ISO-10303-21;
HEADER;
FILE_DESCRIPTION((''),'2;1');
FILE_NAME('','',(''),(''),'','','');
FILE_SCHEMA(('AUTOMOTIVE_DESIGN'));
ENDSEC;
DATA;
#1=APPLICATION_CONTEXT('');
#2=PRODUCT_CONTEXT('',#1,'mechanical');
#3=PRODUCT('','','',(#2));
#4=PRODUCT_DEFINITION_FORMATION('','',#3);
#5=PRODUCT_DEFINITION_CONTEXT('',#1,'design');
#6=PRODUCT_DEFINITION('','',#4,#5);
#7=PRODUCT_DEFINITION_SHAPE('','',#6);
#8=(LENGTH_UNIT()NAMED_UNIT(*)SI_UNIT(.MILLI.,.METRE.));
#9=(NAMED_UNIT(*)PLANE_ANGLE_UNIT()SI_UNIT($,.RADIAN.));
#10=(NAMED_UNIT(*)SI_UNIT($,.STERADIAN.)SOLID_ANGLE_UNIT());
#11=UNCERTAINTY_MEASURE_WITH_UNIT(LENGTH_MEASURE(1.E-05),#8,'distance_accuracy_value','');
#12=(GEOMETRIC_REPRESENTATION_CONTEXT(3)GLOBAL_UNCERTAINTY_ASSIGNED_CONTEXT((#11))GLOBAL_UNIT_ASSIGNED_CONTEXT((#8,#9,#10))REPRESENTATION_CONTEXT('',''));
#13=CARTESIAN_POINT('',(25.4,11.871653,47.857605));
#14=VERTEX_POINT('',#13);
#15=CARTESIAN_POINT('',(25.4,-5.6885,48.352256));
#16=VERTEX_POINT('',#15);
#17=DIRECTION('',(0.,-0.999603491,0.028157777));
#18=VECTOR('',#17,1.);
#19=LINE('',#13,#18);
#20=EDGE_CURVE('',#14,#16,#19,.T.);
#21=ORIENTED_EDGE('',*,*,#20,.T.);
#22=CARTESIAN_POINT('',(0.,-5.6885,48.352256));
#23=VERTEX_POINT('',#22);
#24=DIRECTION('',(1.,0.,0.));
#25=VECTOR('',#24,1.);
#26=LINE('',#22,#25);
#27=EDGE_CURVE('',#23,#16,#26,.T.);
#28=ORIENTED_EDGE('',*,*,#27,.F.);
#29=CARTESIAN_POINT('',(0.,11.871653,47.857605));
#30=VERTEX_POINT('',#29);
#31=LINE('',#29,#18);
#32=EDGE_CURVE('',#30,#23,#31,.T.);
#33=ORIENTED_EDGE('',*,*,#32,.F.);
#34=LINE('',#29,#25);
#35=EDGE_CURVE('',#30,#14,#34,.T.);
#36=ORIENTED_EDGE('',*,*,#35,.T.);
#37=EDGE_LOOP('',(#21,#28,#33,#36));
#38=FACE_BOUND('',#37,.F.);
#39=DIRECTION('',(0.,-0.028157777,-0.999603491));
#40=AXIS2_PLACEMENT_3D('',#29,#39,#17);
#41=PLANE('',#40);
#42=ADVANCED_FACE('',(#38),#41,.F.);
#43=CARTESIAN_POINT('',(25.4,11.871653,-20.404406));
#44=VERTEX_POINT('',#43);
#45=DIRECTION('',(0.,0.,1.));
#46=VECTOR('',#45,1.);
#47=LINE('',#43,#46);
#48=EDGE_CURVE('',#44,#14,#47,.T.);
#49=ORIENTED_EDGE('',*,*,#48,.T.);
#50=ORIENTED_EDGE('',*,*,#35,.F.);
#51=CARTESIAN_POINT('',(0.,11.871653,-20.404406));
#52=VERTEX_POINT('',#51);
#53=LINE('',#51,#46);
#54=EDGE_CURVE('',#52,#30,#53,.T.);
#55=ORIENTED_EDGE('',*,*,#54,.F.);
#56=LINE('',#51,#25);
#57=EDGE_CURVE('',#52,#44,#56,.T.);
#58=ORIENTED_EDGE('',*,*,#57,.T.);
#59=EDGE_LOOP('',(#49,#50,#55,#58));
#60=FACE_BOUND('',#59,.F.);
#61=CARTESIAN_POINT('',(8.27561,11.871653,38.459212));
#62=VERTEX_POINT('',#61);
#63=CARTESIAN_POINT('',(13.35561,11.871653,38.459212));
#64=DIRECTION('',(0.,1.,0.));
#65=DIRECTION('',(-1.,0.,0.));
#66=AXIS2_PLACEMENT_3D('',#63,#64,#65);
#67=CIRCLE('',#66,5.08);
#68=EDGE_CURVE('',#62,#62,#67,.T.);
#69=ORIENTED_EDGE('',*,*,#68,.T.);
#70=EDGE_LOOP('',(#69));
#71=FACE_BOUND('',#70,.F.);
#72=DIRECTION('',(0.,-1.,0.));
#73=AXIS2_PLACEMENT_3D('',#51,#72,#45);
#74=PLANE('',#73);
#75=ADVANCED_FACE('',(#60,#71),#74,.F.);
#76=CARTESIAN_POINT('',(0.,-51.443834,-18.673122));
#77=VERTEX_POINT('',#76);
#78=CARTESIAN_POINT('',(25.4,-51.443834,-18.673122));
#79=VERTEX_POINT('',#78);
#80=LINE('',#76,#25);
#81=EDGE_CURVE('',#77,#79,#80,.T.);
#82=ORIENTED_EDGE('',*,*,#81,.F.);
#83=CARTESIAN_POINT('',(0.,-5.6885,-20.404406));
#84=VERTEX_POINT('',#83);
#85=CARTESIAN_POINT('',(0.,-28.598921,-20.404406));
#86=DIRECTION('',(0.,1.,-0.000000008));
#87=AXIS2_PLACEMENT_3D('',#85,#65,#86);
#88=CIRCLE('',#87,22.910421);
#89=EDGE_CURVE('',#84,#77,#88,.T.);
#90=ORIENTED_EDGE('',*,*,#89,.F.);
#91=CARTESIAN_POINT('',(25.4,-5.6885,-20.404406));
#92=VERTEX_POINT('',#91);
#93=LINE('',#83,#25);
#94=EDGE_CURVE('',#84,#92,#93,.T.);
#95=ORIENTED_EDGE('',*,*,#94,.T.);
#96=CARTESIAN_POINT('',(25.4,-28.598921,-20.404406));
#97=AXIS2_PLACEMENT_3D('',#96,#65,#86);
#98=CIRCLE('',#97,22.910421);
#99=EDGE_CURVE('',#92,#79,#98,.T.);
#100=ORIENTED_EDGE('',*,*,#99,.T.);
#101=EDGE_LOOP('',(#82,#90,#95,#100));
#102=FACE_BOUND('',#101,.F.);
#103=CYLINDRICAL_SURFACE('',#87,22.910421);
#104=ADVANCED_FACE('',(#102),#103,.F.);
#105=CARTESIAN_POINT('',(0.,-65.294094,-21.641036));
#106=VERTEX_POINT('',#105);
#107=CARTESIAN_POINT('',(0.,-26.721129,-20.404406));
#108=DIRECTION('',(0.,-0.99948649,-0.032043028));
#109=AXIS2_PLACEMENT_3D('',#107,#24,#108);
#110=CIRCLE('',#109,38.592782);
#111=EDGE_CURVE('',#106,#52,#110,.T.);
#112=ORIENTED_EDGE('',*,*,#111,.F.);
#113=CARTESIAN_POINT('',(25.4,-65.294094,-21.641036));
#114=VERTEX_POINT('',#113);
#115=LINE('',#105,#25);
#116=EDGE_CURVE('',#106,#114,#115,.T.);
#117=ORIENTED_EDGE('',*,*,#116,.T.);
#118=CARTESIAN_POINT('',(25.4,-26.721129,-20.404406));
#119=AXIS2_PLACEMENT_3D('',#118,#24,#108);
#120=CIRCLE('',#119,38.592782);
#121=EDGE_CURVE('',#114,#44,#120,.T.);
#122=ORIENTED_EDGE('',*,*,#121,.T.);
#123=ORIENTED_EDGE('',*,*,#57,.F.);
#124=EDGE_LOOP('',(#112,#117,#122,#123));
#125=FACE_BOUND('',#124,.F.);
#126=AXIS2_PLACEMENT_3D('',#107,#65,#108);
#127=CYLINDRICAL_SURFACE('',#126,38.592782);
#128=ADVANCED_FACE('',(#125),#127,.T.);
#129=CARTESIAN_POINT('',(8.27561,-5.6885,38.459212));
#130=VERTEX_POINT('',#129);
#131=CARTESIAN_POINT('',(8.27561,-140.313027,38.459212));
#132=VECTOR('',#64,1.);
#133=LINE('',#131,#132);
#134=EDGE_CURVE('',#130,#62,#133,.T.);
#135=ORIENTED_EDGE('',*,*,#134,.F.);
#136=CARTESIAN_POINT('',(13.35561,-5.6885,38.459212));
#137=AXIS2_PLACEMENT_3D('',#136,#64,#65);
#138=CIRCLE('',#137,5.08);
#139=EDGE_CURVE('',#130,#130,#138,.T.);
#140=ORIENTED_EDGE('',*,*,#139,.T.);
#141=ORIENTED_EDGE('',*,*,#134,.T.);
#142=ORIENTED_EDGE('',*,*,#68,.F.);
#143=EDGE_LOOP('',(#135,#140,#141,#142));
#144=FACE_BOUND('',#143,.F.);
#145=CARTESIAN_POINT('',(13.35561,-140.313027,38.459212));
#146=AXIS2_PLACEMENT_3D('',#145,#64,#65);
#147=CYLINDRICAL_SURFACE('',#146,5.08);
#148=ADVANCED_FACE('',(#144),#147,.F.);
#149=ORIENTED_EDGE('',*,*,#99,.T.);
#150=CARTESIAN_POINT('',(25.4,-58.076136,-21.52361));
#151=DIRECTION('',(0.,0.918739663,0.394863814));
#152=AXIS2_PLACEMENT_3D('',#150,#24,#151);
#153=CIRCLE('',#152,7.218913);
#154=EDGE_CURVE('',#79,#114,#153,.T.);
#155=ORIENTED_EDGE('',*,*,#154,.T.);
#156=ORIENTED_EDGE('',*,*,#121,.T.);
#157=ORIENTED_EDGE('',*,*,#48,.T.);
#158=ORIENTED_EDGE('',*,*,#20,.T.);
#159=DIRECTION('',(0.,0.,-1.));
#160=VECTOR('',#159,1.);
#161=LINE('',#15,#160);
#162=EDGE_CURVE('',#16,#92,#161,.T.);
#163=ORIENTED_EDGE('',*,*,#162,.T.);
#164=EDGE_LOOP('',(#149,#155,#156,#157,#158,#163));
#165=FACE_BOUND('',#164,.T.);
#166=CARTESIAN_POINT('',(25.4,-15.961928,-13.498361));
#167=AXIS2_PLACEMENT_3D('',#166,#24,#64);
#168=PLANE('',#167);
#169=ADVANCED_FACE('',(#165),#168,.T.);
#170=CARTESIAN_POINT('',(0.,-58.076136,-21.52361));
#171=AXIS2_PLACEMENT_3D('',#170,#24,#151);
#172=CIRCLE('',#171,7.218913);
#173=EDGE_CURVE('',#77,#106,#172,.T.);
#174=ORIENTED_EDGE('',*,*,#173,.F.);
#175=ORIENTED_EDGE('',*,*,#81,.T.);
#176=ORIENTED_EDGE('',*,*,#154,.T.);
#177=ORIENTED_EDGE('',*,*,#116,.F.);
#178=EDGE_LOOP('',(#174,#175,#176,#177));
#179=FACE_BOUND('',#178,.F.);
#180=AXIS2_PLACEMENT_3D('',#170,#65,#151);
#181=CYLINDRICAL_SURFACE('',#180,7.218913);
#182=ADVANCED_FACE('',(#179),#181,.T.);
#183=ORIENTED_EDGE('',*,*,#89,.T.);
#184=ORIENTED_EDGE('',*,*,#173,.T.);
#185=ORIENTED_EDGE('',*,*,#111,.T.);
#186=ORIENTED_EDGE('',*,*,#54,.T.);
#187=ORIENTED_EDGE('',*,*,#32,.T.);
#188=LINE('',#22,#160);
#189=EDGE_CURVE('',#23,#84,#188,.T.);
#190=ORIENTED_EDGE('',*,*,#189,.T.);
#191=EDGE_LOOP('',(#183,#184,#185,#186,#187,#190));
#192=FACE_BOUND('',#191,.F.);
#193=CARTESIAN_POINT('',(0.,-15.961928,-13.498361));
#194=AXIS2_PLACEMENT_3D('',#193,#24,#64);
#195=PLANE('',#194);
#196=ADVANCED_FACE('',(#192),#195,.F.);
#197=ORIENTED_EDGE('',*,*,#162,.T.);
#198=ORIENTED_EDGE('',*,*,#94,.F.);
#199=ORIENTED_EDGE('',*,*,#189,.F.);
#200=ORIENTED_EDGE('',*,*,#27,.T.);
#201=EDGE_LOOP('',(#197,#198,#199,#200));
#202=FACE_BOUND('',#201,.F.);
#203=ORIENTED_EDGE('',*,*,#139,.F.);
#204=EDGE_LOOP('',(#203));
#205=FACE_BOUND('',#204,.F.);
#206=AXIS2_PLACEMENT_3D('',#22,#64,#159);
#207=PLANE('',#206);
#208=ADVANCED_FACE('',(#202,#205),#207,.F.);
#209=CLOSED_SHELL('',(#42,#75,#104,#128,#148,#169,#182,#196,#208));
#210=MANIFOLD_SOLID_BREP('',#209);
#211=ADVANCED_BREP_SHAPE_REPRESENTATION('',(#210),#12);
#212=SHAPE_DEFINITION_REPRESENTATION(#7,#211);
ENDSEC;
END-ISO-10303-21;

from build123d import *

# Parameters (mm, degrees)
F1_DEPTH = 25.4
F3_D     = 10.16


with BuildPart() as f1:
    # F0 (on Right) → F1 (new body)
    with BuildSketch(Plane.YZ):
        with BuildLine():
            Line((11.871653, -20.404406), (11.871653, 47.857605))
            Line((11.871653, 47.857605), (-5.6885, 48.352256))
            Line((-5.6885, 48.352256), (-5.6885, -20.404406))
            ThreePointArc((-5.6885, -20.404406), (-29.465182, -43.298444), (-51.443834, -18.673122))
            ThreePointArc((-51.443834, -18.673122), (-59.588709, -14.464939), (-65.294094, -21.641036))
            ThreePointArc((-65.294094, -21.641036), (-26.102735, -58.992234), (11.871653, -20.404406))
        make_face()
    extrude(amount=F1_DEPTH)

    # F3 (through all)
    with Locations(Plane.XZ.offset(5.6885)):
        with Locations((13.35561, 38.459212)):
            Hole(F3_D / 2)


solid = f1.part
